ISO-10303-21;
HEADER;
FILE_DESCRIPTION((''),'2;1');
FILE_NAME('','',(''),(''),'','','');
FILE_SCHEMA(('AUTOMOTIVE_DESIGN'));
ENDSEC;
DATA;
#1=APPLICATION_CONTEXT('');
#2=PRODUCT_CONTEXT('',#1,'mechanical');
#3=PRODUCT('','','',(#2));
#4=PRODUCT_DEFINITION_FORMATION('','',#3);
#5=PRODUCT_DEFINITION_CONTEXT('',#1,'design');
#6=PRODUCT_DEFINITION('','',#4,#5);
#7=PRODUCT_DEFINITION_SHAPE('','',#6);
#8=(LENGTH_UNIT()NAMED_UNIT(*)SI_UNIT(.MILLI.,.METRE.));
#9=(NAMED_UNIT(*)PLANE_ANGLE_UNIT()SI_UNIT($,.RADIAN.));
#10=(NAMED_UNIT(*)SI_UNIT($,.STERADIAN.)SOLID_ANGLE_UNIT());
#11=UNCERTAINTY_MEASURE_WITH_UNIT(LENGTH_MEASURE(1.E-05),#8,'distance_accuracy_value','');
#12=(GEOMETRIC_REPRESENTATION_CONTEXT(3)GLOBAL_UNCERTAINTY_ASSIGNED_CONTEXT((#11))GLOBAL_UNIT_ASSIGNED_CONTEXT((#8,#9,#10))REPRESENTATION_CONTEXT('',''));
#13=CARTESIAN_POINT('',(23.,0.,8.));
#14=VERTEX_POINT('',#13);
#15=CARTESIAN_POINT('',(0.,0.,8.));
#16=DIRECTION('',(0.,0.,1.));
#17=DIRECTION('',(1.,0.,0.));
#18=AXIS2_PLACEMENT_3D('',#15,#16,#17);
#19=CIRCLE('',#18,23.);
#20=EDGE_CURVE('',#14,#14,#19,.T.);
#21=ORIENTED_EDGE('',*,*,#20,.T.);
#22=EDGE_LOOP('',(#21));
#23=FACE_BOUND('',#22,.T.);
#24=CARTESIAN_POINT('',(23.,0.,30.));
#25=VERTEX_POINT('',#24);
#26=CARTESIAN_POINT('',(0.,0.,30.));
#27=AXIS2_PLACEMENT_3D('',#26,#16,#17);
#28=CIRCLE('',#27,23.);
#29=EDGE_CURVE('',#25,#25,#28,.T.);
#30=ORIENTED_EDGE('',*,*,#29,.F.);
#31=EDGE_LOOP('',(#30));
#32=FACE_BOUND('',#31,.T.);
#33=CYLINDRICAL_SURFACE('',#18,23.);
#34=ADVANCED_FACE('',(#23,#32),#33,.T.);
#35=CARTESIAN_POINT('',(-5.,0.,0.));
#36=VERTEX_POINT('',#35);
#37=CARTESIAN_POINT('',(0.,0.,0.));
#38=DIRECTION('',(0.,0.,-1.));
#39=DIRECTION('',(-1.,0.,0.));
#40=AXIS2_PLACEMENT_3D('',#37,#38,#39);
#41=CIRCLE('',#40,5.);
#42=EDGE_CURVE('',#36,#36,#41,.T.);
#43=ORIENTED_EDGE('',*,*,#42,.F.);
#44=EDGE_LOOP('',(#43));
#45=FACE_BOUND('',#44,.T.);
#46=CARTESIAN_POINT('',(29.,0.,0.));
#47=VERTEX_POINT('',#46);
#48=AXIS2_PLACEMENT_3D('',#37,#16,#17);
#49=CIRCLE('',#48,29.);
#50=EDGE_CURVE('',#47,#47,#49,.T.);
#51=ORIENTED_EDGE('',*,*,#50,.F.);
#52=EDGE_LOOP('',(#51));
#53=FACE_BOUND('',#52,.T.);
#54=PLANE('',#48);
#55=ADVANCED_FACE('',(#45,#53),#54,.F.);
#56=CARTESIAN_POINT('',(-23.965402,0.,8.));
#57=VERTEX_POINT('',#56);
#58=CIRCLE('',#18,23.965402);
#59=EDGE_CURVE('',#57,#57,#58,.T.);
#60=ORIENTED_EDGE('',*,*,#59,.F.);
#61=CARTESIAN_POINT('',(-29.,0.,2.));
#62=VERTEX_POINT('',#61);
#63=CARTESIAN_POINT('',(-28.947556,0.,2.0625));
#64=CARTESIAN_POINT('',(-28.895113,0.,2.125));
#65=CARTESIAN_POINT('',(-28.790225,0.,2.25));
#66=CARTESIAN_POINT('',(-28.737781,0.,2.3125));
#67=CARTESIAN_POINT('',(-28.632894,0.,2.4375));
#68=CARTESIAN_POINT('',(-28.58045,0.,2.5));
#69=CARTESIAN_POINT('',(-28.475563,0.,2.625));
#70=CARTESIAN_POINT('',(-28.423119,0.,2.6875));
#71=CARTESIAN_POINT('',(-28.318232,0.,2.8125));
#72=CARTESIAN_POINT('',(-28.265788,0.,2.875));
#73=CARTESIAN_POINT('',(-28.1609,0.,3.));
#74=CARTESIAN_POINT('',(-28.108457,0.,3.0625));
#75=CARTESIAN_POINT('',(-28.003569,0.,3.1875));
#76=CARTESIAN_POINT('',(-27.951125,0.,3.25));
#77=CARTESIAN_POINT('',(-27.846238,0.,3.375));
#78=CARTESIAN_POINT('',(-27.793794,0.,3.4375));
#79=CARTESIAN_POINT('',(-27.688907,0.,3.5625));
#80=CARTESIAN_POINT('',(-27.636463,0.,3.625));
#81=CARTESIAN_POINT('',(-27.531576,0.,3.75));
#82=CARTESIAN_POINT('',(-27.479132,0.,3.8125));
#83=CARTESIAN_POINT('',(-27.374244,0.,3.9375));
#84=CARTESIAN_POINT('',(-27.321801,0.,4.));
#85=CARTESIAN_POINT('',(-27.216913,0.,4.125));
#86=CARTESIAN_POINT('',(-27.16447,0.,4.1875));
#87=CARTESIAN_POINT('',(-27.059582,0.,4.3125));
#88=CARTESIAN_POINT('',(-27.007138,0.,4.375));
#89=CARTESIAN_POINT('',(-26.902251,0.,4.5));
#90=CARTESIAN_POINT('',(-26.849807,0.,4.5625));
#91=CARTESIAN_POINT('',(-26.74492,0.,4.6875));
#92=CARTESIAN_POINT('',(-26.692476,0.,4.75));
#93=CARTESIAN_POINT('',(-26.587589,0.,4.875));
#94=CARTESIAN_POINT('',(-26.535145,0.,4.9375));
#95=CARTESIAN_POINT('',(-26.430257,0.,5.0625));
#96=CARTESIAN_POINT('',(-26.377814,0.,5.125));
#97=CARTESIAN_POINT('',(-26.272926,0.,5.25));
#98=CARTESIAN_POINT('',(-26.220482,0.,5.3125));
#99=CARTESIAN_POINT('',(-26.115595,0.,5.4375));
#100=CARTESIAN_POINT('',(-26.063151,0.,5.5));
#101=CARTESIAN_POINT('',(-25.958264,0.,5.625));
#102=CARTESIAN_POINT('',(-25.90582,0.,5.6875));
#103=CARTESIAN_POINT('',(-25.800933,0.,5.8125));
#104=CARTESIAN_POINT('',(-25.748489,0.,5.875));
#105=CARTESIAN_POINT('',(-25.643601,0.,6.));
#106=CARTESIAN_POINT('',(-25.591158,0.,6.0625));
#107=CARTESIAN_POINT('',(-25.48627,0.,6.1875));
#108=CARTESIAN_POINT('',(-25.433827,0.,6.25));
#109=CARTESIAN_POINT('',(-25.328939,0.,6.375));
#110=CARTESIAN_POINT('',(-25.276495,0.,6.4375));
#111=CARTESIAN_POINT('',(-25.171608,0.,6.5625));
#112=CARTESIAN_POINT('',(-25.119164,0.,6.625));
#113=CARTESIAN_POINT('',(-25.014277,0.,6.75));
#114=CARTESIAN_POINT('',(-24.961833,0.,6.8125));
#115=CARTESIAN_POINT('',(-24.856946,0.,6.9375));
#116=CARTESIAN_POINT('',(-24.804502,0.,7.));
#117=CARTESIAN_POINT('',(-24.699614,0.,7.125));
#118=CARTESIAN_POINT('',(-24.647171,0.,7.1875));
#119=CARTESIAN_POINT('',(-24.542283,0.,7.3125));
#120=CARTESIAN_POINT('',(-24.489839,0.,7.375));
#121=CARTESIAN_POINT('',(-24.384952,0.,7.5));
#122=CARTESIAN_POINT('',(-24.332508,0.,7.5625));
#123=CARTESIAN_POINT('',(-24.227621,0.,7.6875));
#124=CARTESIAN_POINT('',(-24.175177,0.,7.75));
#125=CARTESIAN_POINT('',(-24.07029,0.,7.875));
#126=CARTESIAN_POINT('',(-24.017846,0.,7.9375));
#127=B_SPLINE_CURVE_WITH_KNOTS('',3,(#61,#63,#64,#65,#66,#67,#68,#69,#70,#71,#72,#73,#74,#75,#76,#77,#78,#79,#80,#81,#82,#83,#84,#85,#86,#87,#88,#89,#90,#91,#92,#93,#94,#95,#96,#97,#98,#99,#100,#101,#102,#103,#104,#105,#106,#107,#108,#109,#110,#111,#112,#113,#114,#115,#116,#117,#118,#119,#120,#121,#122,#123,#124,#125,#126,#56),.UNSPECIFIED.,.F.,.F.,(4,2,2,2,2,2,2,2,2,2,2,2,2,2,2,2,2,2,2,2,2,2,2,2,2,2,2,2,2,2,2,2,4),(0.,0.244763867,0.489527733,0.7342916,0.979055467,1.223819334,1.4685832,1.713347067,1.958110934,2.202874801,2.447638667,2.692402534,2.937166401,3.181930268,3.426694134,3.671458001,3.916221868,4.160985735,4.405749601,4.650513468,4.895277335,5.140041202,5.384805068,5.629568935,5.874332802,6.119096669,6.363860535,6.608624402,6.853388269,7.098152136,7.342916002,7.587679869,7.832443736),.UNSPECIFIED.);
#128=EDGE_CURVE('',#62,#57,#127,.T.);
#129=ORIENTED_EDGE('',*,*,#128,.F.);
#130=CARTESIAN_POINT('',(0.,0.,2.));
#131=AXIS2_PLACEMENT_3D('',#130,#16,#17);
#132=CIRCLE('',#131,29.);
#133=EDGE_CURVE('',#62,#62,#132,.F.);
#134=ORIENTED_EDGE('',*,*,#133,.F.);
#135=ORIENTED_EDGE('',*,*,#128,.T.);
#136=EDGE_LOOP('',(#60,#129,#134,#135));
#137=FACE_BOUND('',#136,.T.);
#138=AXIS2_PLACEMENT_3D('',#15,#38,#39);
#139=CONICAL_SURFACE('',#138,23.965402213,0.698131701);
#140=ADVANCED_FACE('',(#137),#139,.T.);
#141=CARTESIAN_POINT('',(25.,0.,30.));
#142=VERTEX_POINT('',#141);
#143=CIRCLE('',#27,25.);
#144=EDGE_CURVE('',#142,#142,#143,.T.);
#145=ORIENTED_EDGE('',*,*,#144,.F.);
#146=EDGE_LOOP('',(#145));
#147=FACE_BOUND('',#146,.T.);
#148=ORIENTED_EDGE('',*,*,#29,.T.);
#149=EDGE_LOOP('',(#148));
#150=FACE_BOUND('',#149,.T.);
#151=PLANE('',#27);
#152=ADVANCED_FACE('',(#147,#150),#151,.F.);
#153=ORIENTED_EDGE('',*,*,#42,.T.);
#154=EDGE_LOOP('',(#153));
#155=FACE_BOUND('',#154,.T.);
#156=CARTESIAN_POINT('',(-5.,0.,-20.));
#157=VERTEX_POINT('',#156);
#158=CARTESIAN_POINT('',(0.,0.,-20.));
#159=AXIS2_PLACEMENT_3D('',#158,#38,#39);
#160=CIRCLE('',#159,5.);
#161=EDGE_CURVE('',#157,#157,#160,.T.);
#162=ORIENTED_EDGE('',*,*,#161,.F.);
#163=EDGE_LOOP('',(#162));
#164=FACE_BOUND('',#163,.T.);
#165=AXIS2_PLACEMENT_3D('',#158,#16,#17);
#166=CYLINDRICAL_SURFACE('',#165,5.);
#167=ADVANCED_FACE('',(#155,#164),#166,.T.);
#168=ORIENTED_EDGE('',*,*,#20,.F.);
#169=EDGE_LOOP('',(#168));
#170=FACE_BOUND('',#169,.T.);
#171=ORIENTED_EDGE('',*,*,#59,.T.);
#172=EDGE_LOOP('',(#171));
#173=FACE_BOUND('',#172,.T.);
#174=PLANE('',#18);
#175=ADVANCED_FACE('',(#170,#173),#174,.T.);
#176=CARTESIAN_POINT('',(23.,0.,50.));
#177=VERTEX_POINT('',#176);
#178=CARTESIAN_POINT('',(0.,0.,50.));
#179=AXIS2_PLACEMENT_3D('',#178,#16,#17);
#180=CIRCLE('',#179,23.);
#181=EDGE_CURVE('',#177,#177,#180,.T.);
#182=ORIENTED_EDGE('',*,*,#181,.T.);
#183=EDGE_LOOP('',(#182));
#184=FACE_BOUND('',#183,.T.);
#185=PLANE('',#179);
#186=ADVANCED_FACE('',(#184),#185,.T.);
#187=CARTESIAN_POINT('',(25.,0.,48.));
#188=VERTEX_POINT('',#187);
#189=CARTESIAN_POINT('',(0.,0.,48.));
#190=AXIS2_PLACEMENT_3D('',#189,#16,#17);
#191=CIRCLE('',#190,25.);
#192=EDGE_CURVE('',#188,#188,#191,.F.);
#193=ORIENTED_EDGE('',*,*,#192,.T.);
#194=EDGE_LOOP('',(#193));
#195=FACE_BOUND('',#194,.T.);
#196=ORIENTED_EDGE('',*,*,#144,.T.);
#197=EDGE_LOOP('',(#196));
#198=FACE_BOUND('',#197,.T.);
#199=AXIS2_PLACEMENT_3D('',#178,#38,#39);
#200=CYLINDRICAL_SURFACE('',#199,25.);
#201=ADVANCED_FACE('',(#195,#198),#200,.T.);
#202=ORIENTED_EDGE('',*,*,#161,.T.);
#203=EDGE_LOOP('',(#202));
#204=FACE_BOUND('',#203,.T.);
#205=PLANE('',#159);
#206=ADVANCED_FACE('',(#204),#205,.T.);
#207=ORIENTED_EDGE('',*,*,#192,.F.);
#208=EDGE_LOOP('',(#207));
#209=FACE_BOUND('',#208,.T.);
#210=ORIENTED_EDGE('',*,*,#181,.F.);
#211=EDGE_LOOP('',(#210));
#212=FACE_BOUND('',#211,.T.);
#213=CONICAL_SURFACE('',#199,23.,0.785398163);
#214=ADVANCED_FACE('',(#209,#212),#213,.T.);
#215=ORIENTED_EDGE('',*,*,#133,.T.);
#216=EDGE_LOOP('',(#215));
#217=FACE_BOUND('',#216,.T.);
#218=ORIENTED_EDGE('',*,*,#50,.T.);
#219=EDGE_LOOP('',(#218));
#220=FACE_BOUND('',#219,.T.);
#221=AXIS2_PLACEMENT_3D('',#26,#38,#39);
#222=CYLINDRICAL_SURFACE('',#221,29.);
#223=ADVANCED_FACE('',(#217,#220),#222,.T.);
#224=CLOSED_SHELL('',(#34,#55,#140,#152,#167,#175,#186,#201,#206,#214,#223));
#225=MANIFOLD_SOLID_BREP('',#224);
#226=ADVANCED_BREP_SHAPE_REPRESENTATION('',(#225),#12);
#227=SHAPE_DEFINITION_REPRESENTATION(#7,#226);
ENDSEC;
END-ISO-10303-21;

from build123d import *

# Parameters (mm, degrees)
SKETCH1_R           = 29
BOSS_EXTRUDE1_DEPTH = 30
SKETCH2_OUTSIDE_W   = 77.468
SKETCH2_OUTSIDE_H   = 77.468
SKETCH2_OUTSIDE_R   = 23
CUT_EXTRUDE1_DEPTH  = 22
CHAMFER1_SIZE       = 6
CHAMFER1_SIZE2      = 5.034597787
SKETCH3_R           = 25
BOSS_EXTRUDE2_DEPTH = 20
SKETCH4_R           = 5
BOSS_EXTRUDE3_DEPTH = 20
CHAMFER2_SIZE       = 2


with BuildPart() as part:
    # Sketch1 → Boss-Extrude1 (new body)
    with BuildSketch(Plane.XY):
        Circle(SKETCH1_R)
    extrude(amount=BOSS_EXTRUDE1_DEPTH)

    # Sketch2 outside → Cut-Extrude1 (cut)
    with BuildSketch(Plane.XY.offset(30)):
        Rectangle(SKETCH2_OUTSIDE_W, SKETCH2_OUTSIDE_H)
        Circle(SKETCH2_OUTSIDE_R, mode=Mode.SUBTRACT)
    extrude(amount=-CUT_EXTRUDE1_DEPTH, mode=Mode.SUBTRACT)

    # Chamfer1
    chamfer1_edges = [part.edges().sort_by_distance(p)[0] for p in [
        (-29, 0, 8),
    ]]
    chamfer1_side = [part.faces().sort_by_distance(p)[0] for p in [
        (-29, 0, 4),
    ]]
    chamfer(chamfer1_edges, length=CHAMFER1_SIZE, length2=CHAMFER1_SIZE2, reference=chamfer1_side[0])

    # Sketch3 → Boss-Extrude2 (add)
    with BuildSketch(Plane.XY.offset(30)):
        Circle(SKETCH3_R)
    extrude(amount=BOSS_EXTRUDE2_DEPTH)

    # Sketch4 → Boss-Extrude3 (add)
    with BuildSketch(Plane(origin=(0, 0, 0), x_dir=(-1, 0, 0), z_dir=(0, 0, -1))):
        Circle(SKETCH4_R)
    extrude(amount=BOSS_EXTRUDE3_DEPTH)

    # Chamfer2
    chamfer2_edges = [part.edges().sort_by_distance(p)[0] for p in [
        (-25, 0, 50),
    ]]
    chamfer(chamfer2_edges, length=CHAMFER2_SIZE)


solid = part.part
